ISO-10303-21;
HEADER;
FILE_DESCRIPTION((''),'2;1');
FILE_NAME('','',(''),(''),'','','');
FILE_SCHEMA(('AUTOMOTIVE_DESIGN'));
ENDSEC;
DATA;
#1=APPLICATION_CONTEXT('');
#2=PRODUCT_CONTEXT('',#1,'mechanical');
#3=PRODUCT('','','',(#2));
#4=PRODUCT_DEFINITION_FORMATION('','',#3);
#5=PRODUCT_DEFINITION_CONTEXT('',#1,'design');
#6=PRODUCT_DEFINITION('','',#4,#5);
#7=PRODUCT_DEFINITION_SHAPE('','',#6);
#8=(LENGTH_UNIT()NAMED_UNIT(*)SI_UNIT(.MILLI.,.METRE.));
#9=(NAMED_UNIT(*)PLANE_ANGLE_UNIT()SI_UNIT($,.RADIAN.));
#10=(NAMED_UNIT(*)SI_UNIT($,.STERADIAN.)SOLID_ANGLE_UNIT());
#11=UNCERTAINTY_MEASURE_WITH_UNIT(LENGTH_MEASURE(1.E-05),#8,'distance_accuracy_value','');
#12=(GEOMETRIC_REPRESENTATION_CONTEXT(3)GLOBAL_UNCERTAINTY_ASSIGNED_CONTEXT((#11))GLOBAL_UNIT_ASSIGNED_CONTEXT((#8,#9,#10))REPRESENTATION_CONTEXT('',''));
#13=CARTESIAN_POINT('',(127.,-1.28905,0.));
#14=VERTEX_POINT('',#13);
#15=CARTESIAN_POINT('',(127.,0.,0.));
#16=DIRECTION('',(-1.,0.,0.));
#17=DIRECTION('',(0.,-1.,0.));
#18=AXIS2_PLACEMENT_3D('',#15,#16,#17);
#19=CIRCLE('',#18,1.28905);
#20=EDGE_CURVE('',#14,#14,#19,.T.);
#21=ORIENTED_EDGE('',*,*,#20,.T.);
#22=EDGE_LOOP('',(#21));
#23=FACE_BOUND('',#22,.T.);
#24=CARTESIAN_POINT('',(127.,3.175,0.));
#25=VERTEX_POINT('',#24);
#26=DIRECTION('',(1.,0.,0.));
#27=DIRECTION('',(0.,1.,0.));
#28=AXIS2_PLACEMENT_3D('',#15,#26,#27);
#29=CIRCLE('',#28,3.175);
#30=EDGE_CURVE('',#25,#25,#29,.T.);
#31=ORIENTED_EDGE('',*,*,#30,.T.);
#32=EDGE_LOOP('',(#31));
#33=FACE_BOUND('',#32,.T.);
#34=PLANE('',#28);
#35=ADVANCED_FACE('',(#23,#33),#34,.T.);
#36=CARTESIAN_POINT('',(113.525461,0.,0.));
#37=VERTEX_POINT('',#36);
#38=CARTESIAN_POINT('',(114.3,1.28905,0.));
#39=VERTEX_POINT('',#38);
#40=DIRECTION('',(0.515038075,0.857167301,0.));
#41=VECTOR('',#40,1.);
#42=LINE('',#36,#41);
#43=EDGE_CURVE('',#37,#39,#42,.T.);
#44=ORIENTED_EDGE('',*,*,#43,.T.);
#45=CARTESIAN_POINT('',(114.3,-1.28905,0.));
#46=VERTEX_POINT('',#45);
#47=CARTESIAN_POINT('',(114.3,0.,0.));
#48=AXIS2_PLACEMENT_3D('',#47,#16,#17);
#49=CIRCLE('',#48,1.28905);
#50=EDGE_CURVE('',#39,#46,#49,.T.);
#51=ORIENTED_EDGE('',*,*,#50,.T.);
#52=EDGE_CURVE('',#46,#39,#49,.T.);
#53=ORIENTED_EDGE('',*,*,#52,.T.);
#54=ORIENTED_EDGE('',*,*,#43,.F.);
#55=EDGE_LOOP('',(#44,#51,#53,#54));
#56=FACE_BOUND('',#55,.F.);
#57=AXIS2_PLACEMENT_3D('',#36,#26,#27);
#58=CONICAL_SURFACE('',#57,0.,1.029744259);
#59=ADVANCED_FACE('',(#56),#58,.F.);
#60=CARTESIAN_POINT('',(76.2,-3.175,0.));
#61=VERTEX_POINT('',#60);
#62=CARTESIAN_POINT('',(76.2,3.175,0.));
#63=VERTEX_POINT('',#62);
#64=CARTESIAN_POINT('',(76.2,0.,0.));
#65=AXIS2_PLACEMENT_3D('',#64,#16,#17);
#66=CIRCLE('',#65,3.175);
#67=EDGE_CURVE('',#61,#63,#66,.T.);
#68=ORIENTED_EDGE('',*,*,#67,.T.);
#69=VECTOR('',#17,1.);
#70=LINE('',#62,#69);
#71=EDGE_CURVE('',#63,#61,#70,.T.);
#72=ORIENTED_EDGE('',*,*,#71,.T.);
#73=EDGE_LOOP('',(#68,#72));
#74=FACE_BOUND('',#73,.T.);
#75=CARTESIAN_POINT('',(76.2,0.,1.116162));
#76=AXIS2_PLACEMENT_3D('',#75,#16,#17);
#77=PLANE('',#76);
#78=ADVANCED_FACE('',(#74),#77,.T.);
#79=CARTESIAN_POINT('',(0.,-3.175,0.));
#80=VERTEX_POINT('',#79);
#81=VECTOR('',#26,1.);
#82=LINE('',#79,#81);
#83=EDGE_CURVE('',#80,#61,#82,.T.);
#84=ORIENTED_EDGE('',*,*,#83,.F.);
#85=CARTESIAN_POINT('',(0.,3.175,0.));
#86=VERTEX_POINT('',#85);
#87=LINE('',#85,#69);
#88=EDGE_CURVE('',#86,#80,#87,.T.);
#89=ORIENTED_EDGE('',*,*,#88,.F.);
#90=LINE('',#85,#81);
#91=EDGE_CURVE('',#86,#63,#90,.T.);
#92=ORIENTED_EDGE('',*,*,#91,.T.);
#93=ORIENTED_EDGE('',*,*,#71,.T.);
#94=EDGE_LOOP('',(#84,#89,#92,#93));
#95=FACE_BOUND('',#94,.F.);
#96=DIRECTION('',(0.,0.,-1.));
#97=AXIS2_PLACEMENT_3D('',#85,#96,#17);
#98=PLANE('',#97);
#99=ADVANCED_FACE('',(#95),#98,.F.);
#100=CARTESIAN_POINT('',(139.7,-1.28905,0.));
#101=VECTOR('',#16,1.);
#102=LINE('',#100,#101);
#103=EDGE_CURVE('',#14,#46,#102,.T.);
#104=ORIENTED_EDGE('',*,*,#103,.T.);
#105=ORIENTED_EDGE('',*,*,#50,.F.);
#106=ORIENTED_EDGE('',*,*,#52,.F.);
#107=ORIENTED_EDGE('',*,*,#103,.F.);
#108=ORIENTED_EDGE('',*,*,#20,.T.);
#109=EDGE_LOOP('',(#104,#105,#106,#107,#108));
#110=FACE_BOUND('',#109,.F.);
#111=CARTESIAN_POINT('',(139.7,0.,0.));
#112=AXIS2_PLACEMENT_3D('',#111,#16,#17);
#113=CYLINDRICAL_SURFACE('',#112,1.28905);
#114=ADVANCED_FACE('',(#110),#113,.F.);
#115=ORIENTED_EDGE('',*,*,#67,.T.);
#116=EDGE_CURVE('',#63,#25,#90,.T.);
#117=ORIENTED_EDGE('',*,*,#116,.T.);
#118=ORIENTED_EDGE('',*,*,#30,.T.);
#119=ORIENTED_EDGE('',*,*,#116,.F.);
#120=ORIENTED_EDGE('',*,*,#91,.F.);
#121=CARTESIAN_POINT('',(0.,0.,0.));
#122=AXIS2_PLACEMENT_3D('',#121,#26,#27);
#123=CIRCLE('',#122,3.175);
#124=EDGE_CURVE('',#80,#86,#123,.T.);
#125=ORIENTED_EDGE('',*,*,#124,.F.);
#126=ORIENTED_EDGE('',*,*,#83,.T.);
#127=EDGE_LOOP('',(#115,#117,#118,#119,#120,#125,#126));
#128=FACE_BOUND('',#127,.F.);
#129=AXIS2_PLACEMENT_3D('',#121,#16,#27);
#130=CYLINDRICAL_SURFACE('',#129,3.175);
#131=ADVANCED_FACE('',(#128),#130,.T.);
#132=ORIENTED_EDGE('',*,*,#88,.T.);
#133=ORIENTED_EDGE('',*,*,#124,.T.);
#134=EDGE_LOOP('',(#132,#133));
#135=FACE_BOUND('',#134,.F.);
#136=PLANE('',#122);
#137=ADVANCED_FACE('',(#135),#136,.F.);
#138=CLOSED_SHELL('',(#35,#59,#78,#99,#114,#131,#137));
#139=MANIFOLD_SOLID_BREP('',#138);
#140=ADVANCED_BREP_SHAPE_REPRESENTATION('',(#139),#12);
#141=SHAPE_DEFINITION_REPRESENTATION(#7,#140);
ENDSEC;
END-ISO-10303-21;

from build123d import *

# Parameters (mm, degrees)
F0_R     = 3.175
F1_DEPTH = 127
F3_D     = 2.5781
F3_DEPTH = 12.7
F3_TIP   = 0.774539381
F5_DEPTH = 76.2


with BuildPart() as f1:
    # F0 (on Right) → F1 (new body)
    with BuildSketch(Plane.YZ):
        Circle(F0_R)
    extrude(amount=F1_DEPTH)

    # F3
    with Locations(Plane.YZ.offset(127)):
        with Locations((0, 0)):
            Hole(F3_D / 2, depth=F3_DEPTH)
            with Locations((0, 0, -(F3_DEPTH + F3_TIP / 2))):  # 118° drill point
                Cone(0, F3_D / 2, F3_TIP, mode=Mode.SUBTRACT)

    # F4 (on face) → F5 (cut)
    with BuildSketch(Plane(origin=(0, 0, 0), x_dir=(0, -1, 0), z_dir=(-1, 0, 0))):
        with BuildLine():
            ThreePointArc((-0.8255, 0), (0, 0.8255), (0.8255, 0))
            Line((0.8255, 0), (3.175, 0))
            ThreePointArc((3.175, 0), (0, 3.175), (-3.175, 0))
            Line((-3.175, 0), (-0.8255, 0))
        make_face()
        with BuildLine():
            Line((-0.8255, 0), (0.8255, 0))
            ThreePointArc((0.8255, 0), (0, 0.8255), (-0.8255, 0))
        make_face()
    extrude(amount=-F5_DEPTH, mode=Mode.SUBTRACT)


solid = f1.part
